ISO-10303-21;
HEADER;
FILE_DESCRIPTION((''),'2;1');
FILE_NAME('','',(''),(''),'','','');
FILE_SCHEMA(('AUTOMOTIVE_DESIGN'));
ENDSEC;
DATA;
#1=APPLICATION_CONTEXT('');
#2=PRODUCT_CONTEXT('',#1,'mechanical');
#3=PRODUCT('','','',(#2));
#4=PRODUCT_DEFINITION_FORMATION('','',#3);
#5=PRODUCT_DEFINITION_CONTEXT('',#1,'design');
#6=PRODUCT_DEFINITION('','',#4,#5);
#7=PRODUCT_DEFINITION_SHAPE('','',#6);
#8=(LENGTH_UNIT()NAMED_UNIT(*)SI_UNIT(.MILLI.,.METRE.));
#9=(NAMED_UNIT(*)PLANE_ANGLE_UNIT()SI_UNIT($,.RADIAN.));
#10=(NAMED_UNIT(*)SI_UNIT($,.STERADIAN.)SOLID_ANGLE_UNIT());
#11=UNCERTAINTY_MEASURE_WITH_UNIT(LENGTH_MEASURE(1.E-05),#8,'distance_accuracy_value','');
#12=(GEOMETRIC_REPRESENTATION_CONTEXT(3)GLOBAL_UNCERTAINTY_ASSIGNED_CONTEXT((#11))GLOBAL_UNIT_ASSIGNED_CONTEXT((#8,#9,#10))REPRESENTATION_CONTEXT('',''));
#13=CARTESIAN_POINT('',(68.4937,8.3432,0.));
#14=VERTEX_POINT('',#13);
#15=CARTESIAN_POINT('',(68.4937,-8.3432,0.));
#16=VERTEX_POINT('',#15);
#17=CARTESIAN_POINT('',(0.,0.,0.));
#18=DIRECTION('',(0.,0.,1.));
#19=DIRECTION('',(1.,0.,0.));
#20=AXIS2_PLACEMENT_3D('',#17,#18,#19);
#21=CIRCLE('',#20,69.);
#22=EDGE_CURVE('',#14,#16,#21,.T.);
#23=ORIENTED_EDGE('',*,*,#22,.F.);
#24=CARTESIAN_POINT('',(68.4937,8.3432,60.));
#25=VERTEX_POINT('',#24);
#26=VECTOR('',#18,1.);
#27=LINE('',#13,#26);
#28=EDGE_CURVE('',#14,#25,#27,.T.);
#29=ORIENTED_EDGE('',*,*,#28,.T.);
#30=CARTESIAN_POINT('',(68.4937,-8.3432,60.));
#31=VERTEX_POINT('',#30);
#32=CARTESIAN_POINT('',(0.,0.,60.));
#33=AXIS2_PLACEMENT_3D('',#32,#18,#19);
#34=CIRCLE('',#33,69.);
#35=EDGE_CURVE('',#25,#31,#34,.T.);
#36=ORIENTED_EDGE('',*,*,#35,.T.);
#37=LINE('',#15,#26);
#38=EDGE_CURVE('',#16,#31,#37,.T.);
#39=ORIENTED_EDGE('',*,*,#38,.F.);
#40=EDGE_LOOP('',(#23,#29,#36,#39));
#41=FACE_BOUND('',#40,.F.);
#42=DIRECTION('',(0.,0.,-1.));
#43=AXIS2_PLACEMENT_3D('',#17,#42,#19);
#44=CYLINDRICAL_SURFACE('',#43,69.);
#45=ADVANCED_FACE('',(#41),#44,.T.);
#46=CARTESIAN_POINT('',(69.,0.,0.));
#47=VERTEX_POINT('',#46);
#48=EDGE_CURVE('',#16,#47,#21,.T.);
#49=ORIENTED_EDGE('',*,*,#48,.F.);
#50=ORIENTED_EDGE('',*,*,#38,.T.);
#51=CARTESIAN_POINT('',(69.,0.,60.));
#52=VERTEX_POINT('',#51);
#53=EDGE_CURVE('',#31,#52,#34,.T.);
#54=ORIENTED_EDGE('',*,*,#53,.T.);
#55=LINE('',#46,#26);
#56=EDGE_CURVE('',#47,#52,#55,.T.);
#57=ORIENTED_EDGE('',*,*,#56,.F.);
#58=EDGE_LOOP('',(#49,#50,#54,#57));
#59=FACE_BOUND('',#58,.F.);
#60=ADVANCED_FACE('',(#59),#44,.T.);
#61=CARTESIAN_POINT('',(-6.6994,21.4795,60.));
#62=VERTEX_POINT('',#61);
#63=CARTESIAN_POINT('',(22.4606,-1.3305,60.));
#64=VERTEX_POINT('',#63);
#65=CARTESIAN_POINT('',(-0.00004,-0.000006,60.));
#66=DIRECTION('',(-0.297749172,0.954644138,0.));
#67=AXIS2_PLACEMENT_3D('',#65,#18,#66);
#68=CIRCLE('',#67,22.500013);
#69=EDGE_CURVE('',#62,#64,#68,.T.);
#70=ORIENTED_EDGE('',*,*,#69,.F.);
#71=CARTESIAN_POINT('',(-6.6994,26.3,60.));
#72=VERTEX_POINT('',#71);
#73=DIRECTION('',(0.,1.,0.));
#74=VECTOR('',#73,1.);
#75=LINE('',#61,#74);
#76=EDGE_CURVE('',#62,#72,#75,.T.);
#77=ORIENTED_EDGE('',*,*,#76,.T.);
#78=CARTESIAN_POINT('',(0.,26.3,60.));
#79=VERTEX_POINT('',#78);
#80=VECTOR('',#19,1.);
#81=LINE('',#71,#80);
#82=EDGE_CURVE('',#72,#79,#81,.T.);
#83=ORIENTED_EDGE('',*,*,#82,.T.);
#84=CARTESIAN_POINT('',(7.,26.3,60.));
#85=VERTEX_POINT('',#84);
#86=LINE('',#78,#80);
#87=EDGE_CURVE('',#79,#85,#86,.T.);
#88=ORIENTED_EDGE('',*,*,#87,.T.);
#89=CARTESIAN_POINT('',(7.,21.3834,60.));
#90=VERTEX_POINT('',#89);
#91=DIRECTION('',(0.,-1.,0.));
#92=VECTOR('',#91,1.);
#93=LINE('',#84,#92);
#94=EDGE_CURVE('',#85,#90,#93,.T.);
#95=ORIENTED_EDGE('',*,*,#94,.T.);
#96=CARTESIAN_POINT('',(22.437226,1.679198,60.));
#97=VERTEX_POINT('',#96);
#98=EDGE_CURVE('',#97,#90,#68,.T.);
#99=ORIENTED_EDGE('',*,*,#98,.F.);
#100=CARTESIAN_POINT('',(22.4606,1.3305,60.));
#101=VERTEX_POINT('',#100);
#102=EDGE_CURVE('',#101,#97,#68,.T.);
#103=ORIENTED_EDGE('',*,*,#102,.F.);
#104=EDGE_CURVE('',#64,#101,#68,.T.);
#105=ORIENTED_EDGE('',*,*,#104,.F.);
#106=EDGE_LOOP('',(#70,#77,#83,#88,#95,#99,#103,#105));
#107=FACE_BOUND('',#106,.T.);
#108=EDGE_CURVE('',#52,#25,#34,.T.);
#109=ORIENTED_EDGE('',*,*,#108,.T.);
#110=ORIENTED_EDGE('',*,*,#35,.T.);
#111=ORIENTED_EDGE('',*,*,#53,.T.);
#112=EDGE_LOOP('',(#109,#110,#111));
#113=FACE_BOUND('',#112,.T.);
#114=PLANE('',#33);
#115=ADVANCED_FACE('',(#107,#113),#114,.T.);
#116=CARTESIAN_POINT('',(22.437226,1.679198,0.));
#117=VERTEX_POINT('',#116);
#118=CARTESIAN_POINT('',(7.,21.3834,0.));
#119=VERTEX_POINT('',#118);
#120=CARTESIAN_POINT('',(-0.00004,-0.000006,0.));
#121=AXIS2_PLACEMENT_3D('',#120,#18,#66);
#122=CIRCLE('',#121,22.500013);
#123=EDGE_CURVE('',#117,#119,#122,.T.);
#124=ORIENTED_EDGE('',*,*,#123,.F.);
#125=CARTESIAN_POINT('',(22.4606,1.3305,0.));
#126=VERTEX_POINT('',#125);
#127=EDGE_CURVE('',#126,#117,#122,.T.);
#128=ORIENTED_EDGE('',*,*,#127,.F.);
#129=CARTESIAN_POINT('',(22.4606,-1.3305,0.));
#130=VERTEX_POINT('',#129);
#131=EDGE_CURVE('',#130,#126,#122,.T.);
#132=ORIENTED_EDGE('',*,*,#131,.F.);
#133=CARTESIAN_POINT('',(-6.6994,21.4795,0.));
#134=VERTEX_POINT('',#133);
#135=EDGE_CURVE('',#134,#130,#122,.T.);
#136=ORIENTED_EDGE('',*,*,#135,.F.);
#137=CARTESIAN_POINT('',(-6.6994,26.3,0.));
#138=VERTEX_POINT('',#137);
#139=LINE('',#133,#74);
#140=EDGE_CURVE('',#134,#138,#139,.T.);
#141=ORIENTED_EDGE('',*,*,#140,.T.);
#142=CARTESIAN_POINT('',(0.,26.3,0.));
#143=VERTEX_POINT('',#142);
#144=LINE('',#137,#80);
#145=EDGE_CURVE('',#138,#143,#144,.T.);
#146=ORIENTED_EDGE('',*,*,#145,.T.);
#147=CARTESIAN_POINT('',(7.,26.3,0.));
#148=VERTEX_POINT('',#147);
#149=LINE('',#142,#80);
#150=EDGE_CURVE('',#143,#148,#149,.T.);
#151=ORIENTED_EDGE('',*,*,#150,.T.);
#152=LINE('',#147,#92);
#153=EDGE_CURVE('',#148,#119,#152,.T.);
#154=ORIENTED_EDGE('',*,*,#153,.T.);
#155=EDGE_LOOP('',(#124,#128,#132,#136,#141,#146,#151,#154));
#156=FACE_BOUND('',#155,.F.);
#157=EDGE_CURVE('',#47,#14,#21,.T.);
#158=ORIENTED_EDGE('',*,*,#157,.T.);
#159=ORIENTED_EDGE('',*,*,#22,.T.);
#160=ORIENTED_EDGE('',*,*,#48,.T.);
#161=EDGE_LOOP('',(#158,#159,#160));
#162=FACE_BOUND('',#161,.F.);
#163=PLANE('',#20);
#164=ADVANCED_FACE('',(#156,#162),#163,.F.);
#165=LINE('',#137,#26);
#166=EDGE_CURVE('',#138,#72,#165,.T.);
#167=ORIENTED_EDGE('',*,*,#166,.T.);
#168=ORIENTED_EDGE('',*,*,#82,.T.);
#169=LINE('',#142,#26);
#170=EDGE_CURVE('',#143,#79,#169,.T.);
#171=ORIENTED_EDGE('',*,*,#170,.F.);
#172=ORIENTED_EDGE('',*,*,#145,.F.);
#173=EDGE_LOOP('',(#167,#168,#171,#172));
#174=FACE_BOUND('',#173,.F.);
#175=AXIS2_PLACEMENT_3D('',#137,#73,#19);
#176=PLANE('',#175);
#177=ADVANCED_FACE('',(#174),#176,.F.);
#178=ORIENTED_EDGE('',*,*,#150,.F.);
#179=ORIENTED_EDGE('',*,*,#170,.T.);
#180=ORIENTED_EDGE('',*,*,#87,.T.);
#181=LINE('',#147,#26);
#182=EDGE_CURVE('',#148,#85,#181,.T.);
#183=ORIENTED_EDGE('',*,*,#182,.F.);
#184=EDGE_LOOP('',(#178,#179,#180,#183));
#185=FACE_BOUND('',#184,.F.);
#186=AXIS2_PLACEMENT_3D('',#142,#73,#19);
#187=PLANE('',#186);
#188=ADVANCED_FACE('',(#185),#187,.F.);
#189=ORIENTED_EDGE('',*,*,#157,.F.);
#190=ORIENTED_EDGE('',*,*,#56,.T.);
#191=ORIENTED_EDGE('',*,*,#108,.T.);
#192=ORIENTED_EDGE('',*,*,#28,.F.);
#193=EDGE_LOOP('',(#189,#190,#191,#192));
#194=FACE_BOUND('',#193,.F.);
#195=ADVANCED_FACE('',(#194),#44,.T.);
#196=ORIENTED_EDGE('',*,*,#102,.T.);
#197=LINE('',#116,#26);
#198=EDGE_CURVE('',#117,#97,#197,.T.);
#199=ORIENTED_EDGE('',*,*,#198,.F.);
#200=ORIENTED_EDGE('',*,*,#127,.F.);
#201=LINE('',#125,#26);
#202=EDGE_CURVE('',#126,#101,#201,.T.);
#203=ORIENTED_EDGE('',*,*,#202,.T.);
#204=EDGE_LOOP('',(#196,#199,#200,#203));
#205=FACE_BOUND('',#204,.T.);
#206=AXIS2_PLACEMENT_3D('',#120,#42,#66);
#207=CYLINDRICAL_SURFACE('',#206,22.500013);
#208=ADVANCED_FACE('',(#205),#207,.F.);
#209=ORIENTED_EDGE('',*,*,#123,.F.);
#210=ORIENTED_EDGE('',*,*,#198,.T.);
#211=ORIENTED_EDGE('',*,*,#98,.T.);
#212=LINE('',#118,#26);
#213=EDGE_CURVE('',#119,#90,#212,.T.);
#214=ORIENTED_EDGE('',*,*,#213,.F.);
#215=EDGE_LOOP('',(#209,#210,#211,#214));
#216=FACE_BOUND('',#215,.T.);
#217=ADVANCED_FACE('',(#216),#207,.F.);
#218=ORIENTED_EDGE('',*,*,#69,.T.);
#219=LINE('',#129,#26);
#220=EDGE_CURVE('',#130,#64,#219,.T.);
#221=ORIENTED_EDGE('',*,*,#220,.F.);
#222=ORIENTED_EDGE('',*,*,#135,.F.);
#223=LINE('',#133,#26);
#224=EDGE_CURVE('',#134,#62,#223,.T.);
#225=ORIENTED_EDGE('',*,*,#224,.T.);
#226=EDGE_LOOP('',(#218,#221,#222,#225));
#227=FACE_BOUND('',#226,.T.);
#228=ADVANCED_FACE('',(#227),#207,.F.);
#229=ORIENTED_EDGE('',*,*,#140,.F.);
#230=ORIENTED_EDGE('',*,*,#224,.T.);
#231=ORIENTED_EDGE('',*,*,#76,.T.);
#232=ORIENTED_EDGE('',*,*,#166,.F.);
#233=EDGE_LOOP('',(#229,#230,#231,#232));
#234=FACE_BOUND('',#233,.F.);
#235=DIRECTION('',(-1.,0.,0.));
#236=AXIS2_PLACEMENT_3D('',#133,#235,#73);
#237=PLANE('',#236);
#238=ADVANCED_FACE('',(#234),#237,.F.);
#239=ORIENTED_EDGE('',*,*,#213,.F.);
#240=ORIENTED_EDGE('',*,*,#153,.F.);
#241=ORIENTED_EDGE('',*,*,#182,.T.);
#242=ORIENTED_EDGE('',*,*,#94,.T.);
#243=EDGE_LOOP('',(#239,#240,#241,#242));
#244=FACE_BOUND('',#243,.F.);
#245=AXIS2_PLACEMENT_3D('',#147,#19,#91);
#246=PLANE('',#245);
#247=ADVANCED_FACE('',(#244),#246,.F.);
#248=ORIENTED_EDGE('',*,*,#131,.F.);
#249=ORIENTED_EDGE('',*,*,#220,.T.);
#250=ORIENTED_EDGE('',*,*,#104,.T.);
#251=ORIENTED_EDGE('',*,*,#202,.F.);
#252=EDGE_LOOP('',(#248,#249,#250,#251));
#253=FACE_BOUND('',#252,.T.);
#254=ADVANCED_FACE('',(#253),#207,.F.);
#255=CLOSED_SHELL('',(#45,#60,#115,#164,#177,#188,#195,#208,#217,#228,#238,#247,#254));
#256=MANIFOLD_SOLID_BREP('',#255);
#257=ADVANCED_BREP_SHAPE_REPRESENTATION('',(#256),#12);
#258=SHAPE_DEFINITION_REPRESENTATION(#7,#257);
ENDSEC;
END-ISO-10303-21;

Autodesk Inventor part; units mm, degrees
ref_plane "YZ Plane" through (0, 0, 0) normal (1, 0, 0) x (0, 1, 0)
ref_plane "XZ Plane" through (0, 0, 0) normal (0, 1, 0) x (-1, 0, 0)
ref_plane "XY Plane" through (0, 0, 0) normal (0, 0, 1) x (1, 0, 0)
sketch "スケッチ1" plane through (0, 0, 0) normal (0, 0, 1) x (1, 0, 0)
  circle A0 centre (0, 0) radius 69
  arc A1 (-6.6994, 21.4795) -> (7, 21.3834) centre (0, 0) ccw
  line L0 (0, 22.5) -> (0, 17)
  line L1 (0, 22.5) -> (0, 26.3)
  line L2 (0, 26.3) -> (7, 26.3)
  line L3 (7, 26.3) -> (7, 21.3834)
  line L4 (7, 17) -> (0, 17)
  line L5 (-6.6994, 21.4795) -> (-6.6994, 26.3)
  line L6 (-6.6994, 26.3) -> (0, 26.3)
  circle A2 centre (0, 0) radius 63 construction
  circle A3 centre (0, 0) radius 55.5 construction
  circle A4 centre (0, 0) radius 59.2005 construction
  line L7 (0, 0) -> (59.0354, 4.4182)
  line L8 (0, 0) -> (63, 0) construction
  line L9 (68.4937, 8.3432) -> (69.7595, 0)
  line L10 (55.4029, 3.282) -> (55.5, 0)
  line L11 (44.4457, 0) -> (43.0115, 0)
  circle A5 centre (0, 0) radius 55.5 construction
  line L12 (68.4937, -8.3432) -> (69.7595, 0)
  line L13 (55.5, 0) -> (55.4029, -3.282)
  line L14 (0, 0) -> (22.4606, -1.3305)
  line L15 (55.4029, -3.282) -> (59.0929, -3.5681)
  line L16 (0, 0) -> (22.4606, 1.3305)
  line L17 (55.4029, 3.282) -> (59.0929, 3.5681)
  dimension "d0" = 138
  dimension "d1" = 45
  dimension "d2" = 5.5
  dimension "d3" = 3.8
  dimension "d4" = 7
  dimension "d7" = 126
  dimension "d8" = 111
  dimension "d9" = 118.401
  dimension "d12" = 4.28
extrude "押し出し1" add sketch "スケッチ1" along normal blind 60 contours A0
sketch "スケッチ2" plane through (0, 0, 0) normal (1, 0, 0) x (0, 1, 0)
  point P0 (0, 0)
ref_plane "作業平面1" through (0, 0, 0) normal (0, 0, -1) x (-1, 0, 0)
sketch "スケッチ3" plane through (0, 0, 0) normal (0, 0, -1) x (-1, 0, 0)
  line L0 (-55.4145, -3.3023) -> (-55.4145, 3.2937)
  line L1 (-55.4145, 3.2937) -> (-59.0906, 3.5877)
  point P0 (0, 0)
properties part number "gear2"
